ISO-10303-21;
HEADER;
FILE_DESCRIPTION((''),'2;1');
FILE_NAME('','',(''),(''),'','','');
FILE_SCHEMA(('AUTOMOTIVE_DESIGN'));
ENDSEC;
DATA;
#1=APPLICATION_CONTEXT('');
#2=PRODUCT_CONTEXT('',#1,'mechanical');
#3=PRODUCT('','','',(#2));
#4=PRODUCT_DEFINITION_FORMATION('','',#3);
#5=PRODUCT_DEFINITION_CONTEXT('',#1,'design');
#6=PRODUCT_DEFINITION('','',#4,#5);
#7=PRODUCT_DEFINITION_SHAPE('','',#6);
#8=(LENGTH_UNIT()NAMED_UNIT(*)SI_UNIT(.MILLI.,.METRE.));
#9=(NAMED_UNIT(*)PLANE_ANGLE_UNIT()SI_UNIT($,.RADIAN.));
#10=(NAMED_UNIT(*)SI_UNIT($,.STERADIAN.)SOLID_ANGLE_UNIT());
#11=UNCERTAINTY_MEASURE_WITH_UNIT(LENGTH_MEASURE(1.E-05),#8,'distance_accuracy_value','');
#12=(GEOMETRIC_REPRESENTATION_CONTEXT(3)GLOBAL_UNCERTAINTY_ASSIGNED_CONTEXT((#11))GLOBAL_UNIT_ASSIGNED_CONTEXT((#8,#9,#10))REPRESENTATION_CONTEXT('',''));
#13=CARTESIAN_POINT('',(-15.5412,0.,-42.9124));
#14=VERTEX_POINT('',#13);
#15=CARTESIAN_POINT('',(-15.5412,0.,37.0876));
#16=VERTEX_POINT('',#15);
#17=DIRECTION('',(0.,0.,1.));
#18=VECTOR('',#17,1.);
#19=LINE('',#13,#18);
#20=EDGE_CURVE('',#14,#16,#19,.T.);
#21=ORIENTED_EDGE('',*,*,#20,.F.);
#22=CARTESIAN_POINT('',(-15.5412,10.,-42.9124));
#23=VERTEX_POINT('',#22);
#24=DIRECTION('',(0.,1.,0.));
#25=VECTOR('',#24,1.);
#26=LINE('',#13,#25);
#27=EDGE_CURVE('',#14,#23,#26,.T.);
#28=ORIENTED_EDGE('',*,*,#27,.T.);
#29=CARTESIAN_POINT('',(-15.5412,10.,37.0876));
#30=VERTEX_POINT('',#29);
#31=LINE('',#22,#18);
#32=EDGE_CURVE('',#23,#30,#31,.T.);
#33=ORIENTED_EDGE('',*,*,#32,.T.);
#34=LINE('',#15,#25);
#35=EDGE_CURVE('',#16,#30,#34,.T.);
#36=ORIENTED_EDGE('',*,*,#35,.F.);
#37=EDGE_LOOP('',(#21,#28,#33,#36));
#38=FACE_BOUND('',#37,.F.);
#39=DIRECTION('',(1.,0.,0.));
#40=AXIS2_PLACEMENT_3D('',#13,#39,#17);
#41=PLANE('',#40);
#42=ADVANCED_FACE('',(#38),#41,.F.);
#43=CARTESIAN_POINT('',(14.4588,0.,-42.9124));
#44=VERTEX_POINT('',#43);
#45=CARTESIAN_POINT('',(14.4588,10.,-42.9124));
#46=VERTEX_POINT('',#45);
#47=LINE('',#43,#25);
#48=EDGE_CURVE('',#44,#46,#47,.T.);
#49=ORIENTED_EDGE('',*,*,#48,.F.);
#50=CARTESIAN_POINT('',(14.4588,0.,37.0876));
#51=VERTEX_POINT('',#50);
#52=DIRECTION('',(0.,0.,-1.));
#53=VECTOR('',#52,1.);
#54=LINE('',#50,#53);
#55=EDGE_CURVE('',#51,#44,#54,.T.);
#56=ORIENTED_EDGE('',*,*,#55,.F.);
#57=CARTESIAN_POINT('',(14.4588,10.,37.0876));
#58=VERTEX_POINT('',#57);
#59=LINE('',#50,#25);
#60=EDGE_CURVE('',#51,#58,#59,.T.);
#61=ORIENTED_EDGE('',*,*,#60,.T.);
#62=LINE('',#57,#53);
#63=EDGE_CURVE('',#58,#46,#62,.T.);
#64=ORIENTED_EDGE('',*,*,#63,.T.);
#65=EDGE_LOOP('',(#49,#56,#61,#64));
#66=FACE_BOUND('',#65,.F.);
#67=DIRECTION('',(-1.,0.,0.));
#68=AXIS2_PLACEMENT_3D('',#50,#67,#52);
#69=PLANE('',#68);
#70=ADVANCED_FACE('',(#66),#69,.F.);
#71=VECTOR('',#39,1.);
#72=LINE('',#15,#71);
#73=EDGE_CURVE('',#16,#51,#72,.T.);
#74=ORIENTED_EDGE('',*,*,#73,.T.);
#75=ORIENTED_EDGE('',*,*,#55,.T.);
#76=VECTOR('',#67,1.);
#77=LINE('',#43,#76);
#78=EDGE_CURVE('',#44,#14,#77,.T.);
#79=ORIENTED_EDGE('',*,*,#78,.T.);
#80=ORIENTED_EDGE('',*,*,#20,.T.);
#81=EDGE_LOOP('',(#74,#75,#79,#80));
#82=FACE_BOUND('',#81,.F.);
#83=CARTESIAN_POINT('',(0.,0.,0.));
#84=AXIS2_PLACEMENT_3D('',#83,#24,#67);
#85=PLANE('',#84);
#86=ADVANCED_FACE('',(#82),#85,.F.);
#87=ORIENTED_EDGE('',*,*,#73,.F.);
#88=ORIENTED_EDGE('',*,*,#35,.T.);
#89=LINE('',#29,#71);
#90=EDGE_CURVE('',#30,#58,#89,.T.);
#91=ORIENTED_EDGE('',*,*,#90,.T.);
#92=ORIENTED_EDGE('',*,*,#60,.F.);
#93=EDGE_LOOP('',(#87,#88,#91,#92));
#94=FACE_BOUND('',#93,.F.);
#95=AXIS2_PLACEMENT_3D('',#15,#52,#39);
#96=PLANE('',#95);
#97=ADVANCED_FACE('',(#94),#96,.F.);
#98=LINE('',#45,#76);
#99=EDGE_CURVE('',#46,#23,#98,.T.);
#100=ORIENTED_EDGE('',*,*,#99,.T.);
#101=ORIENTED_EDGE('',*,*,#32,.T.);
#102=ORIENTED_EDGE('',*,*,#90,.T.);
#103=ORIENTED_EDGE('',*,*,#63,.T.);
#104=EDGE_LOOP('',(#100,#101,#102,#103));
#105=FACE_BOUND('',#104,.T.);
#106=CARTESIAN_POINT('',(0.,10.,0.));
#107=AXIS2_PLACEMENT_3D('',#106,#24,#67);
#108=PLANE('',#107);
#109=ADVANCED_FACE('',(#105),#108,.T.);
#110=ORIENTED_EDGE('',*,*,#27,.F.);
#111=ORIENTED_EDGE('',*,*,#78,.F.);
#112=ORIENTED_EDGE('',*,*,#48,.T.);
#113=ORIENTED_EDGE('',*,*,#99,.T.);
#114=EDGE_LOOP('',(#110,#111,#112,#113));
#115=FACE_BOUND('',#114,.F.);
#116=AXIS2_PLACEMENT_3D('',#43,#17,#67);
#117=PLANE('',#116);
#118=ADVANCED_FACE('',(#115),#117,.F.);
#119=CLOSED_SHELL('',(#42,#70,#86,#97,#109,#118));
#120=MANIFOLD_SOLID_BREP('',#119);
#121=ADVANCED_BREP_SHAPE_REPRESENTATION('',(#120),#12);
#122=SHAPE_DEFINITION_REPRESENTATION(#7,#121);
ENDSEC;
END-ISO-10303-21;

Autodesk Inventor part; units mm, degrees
ref_plane "YZ Plane" through (0, 0, 0) normal (1, 0, 0) x (0, 1, 0)
ref_plane "XZ Plane" through (0, 0, 0) normal (0, 1, 0) x (-1, 0, 0)
ref_plane "XY Plane" through (0, 0, 0) normal (0, 0, 1) x (1, 0, 0)
sketch "Boceto1" plane through (0, 0, 0) normal (0, 1, 0) x (-1, 0, 0)
  line L0 (15.5412, 37.0876) -> (-14.4588, 37.0876)
  line L1 (-14.4588, 37.0876) -> (-14.4588, -42.9124)
  line L2 (-14.4588, -42.9124) -> (15.5412, -42.9124)
  line L3 (15.5412, -42.9124) -> (15.5412, 37.0876)
  point P0 (0, 0)
  dimension "d0" = 30
  dimension "d1" = 80
extrude "Extrusión1" add sketch "Boceto1" along normal blind 10
